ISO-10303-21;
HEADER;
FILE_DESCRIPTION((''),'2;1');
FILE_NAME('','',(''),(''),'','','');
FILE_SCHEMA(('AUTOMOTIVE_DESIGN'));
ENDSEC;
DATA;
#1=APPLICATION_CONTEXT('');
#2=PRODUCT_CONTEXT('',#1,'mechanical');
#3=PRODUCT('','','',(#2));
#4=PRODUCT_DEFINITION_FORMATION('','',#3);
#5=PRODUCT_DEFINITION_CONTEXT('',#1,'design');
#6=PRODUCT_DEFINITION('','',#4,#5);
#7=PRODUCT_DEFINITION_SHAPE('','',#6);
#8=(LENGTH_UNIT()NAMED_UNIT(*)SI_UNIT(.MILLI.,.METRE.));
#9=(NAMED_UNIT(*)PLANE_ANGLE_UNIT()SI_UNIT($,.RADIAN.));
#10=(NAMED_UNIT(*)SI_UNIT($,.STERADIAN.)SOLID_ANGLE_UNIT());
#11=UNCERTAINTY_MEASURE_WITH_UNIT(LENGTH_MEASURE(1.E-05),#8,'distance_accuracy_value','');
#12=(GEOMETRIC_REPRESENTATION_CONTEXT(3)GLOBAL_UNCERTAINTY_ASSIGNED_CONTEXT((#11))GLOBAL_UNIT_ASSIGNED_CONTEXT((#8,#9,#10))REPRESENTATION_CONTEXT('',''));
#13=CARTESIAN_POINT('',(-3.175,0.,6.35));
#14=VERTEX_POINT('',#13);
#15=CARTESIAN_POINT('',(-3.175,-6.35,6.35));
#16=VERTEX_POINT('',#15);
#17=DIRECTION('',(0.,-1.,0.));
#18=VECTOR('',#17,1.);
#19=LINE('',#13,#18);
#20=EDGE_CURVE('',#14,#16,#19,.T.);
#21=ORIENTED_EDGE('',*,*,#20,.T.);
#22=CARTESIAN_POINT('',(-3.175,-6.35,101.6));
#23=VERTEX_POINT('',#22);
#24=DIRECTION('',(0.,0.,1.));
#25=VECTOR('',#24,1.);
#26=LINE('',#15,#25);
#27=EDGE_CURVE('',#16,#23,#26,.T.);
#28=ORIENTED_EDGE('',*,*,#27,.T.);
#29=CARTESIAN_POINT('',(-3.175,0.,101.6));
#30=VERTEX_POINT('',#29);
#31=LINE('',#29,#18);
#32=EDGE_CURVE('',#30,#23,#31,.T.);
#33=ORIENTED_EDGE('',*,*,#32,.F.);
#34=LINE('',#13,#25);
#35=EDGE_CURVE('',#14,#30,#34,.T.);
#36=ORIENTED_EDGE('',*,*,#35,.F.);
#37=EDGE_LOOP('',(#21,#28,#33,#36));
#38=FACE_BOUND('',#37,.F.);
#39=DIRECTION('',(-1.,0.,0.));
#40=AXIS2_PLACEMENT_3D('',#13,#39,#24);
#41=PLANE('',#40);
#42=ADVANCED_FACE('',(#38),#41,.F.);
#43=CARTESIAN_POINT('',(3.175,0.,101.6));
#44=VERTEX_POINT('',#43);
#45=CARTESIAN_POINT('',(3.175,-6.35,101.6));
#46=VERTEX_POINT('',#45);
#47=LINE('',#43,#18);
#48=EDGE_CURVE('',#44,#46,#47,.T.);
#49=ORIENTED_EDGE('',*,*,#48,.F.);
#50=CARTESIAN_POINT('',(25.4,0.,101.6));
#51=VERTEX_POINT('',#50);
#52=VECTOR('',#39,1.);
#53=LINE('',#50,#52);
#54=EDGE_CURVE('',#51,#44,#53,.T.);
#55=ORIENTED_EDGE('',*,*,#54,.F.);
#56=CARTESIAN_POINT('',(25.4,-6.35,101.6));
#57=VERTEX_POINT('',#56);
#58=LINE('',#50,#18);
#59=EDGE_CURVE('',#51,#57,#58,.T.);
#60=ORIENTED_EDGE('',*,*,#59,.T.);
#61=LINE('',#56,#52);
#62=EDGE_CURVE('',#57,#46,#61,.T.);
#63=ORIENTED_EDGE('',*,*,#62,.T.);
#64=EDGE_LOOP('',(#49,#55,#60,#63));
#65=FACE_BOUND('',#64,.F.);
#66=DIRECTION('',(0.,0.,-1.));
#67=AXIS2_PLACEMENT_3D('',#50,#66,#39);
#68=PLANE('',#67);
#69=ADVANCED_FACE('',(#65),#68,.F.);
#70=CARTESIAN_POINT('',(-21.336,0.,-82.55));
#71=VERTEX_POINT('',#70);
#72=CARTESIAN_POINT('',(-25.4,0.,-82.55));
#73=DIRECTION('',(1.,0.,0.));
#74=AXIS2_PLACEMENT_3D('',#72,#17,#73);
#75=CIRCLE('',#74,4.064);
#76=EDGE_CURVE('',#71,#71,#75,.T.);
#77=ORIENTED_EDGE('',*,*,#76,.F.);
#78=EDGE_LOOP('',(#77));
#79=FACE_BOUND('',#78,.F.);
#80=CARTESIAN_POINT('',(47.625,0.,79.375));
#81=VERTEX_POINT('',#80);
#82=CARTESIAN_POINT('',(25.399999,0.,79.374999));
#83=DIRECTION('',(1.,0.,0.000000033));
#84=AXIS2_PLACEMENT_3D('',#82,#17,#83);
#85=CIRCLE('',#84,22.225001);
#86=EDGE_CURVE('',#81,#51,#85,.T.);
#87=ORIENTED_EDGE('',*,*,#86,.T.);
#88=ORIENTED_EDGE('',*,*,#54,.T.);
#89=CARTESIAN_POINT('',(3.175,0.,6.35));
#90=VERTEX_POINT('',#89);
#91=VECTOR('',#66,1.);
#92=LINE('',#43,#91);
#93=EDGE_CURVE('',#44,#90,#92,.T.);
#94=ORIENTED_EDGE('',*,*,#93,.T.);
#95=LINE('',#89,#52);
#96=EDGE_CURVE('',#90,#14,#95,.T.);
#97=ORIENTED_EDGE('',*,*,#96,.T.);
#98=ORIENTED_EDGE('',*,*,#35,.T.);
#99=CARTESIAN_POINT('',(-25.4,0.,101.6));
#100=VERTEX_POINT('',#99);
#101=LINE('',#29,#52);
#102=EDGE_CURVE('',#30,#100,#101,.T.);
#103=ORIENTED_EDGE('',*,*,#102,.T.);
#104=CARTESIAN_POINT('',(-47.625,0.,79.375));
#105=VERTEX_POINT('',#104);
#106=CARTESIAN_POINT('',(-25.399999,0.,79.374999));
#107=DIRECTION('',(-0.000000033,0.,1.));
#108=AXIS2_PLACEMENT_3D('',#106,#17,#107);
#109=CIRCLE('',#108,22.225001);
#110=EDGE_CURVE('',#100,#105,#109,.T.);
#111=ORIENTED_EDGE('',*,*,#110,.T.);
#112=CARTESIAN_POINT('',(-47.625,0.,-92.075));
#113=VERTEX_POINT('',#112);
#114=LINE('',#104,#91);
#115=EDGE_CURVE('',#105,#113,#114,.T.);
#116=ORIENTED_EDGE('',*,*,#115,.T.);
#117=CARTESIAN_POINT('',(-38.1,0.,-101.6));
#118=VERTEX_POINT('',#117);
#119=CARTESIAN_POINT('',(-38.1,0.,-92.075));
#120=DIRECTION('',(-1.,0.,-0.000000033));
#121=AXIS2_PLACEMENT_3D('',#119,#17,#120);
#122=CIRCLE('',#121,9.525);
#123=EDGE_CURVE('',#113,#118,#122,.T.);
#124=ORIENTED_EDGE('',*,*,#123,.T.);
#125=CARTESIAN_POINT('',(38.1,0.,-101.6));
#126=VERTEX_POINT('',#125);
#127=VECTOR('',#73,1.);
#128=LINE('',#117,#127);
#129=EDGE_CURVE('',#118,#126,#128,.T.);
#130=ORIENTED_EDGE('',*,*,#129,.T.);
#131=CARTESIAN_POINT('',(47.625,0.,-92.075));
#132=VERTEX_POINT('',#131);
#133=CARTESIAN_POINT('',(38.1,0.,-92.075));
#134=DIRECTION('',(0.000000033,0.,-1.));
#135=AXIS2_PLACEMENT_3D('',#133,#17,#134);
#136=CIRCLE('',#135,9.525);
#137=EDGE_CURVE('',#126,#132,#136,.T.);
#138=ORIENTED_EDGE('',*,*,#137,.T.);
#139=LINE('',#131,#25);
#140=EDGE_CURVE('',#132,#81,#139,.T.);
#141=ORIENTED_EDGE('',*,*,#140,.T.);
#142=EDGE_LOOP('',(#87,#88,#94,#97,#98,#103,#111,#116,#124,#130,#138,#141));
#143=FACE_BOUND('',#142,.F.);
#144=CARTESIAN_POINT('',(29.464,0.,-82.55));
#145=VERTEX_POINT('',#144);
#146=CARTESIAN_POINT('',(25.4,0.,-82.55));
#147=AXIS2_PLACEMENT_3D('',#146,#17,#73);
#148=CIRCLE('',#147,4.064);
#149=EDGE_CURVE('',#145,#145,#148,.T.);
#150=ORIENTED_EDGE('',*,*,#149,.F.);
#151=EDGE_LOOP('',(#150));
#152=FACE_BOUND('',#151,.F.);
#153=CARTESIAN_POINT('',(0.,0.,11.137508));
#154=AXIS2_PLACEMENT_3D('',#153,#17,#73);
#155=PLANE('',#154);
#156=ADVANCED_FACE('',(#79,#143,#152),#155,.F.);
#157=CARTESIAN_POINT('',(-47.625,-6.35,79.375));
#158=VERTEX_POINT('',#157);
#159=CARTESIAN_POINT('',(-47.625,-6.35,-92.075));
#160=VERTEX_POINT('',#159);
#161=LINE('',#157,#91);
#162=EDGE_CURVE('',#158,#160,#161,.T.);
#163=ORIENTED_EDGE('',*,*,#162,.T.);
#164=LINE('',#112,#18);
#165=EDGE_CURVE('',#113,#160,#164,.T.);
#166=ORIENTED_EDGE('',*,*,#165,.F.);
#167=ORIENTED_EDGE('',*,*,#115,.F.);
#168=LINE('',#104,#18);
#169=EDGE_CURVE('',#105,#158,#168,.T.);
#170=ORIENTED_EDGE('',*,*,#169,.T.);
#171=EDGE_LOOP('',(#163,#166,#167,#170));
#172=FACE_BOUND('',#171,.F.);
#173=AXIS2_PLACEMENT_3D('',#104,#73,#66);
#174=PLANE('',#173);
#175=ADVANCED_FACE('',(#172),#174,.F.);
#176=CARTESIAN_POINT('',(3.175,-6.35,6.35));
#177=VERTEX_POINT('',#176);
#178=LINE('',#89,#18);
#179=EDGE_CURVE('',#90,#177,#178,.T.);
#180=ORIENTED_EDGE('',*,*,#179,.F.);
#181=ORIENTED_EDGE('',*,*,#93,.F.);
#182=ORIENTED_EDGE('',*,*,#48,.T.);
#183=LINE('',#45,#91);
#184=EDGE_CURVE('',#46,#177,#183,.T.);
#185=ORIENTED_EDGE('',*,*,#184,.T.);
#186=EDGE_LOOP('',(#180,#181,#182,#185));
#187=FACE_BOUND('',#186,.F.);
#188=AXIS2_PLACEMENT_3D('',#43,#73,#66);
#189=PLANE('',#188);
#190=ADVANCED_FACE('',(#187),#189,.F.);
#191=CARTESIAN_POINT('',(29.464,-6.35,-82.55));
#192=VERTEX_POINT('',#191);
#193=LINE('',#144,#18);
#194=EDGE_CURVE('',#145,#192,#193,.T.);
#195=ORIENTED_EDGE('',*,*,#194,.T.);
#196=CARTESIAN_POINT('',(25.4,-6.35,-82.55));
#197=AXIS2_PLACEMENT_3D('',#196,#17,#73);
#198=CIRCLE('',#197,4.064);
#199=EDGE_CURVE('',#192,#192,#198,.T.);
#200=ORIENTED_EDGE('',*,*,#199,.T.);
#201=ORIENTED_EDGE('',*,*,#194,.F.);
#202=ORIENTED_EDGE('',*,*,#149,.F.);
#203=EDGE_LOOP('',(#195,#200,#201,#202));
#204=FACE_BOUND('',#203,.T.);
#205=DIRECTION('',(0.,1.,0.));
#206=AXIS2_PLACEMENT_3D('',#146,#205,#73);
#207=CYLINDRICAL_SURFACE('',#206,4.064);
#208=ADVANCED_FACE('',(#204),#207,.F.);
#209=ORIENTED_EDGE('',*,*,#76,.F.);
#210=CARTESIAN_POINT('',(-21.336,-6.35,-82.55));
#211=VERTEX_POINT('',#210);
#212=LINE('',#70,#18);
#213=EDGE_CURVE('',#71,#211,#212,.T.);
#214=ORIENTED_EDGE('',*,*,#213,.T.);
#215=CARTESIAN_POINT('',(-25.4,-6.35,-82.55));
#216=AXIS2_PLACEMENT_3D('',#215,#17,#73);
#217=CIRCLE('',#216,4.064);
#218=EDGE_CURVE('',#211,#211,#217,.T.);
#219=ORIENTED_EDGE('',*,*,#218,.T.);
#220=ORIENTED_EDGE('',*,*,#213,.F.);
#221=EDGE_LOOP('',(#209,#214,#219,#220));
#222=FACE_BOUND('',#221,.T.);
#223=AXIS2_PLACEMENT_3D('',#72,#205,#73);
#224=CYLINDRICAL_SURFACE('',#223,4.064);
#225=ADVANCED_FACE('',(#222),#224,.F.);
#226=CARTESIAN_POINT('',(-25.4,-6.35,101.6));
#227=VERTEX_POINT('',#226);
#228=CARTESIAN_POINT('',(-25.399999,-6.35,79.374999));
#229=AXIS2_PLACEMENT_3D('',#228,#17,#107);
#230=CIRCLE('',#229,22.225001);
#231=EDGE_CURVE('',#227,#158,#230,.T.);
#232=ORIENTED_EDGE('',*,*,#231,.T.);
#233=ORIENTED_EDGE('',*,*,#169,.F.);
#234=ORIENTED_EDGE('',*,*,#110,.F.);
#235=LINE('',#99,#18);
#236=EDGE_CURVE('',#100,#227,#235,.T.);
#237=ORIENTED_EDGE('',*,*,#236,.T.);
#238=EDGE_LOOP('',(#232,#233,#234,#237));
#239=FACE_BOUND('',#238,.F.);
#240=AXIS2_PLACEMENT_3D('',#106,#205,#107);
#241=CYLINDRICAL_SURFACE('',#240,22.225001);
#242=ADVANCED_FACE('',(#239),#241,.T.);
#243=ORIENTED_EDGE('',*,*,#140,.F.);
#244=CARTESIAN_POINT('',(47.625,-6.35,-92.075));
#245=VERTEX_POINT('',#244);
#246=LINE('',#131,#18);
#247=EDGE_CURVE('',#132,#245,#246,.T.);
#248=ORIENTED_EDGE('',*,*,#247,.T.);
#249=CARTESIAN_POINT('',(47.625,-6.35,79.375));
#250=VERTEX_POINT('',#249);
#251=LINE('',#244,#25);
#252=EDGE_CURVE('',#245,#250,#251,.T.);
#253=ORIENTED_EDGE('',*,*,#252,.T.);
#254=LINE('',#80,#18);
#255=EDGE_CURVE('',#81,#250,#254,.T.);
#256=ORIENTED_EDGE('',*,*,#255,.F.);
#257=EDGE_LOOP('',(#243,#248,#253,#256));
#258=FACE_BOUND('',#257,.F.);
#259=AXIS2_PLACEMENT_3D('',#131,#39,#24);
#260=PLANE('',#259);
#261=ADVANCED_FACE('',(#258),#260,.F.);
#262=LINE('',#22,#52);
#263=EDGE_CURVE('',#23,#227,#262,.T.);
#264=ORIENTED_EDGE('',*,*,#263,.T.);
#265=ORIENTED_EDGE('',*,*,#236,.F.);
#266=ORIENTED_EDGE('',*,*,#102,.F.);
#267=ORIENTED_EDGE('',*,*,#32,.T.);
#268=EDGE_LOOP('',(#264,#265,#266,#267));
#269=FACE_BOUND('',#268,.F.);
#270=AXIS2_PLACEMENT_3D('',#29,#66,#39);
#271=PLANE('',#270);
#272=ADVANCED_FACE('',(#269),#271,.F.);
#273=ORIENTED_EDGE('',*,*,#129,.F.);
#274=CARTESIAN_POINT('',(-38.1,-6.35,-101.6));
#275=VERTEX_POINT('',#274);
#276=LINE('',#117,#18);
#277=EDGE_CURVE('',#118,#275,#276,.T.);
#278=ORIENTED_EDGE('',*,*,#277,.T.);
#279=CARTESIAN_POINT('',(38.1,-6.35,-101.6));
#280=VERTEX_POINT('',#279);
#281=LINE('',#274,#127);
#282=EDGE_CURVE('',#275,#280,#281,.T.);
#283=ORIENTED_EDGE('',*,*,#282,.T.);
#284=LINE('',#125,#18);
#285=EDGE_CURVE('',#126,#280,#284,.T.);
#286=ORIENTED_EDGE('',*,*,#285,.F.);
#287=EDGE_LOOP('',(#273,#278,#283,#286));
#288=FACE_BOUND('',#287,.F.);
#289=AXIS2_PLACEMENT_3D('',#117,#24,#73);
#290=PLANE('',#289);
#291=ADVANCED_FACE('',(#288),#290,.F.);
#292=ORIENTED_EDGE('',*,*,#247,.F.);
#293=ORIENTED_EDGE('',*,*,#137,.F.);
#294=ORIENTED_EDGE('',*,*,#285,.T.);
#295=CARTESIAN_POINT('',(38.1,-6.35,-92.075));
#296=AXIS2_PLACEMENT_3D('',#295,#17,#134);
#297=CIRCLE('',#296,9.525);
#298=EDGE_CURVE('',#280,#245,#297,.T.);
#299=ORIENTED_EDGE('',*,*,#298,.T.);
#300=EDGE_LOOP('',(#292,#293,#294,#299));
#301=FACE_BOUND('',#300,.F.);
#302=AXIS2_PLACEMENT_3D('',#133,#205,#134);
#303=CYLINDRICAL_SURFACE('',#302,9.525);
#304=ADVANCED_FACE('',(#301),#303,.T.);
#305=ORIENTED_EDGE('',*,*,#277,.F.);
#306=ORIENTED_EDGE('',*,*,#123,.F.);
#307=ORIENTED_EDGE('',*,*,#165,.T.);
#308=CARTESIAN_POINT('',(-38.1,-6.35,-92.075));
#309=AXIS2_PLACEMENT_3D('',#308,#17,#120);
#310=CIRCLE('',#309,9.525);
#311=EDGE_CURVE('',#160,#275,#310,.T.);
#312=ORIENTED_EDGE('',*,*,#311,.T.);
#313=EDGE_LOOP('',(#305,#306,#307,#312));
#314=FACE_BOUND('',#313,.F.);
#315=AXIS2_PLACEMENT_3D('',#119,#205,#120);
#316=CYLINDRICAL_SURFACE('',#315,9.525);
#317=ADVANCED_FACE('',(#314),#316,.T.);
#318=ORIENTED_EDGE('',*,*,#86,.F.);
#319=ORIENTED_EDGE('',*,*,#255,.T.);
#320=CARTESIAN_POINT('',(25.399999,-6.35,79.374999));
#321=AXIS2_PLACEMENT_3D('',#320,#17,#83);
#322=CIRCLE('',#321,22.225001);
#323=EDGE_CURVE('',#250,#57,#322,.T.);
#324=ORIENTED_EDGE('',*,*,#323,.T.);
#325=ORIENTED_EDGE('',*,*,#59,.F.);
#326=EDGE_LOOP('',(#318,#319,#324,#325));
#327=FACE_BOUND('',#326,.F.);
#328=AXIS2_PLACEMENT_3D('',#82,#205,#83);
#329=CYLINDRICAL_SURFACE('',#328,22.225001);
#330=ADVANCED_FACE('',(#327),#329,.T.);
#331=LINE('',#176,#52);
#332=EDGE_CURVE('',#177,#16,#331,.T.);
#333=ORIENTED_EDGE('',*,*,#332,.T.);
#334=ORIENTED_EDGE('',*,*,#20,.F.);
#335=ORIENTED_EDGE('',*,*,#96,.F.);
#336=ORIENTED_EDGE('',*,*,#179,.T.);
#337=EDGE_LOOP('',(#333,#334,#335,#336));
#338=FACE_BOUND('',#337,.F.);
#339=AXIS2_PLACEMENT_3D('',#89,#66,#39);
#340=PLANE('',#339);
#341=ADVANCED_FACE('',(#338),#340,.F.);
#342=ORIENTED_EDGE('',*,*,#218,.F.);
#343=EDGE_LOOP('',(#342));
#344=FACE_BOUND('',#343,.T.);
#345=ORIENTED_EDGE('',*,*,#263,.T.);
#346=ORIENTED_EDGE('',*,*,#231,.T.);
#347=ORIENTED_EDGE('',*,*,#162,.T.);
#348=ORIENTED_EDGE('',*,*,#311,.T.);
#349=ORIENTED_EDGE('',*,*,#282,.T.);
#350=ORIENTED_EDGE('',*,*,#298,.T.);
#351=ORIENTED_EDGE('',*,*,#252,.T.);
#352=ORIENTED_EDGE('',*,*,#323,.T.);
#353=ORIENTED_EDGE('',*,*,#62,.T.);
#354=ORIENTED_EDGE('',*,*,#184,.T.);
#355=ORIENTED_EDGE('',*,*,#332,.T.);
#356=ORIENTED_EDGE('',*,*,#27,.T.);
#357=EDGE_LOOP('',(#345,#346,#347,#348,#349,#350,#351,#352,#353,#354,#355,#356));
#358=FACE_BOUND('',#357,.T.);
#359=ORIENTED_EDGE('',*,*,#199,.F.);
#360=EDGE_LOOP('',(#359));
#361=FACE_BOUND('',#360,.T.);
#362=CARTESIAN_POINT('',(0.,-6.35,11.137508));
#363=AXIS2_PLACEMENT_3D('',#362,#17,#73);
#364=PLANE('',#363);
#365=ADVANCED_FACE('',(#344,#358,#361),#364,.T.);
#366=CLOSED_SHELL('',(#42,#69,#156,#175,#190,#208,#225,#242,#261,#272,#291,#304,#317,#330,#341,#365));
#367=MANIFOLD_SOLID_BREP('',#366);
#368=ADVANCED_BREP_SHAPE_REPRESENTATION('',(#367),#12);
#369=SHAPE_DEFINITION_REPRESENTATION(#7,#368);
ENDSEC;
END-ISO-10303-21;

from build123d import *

# Parameters (mm, degrees)
F0_R     = 4.064
F1_DEPTH = 6.35


with BuildPart() as f1:
    # F0 (on Front) → F1 (new body)
    with BuildSketch(Plane.XZ):
        with BuildLine():
            Line((-38.1, -101.6), (38.1, -101.6))
            ThreePointArc((38.1, -101.6), (44.835192, -98.810192), (47.625, -92.075))
            Line((47.625, -92.075), (47.625, 79.375))
            ThreePointArc((47.625, 79.375), (41.115448, 95.090448), (25.4, 101.6))
            Line((25.4, 101.6), (3.175, 101.6))
            Line((3.175, 101.6), (3.175, 6.35))
            Line((3.175, 6.35), (-3.175, 6.35))
            Line((-3.175, 6.35), (-3.175, 101.6))
            Line((-3.175, 101.6), (-25.4, 101.6))
            ThreePointArc((-25.4, 101.6), (-41.115448, 95.090448), (-47.625, 79.375))
            Line((-47.625, 79.375), (-47.625, -92.075))
            ThreePointArc((-47.625, -92.075), (-44.835192, -98.810192), (-38.1, -101.6))
        make_face()
        with Locations((-25.4, -82.55)):
            Circle(F0_R, mode=Mode.SUBTRACT)
        with Locations((25.4, -82.55)):
            Circle(F0_R, mode=Mode.SUBTRACT)
    extrude(amount=F1_DEPTH)


solid = f1.part
